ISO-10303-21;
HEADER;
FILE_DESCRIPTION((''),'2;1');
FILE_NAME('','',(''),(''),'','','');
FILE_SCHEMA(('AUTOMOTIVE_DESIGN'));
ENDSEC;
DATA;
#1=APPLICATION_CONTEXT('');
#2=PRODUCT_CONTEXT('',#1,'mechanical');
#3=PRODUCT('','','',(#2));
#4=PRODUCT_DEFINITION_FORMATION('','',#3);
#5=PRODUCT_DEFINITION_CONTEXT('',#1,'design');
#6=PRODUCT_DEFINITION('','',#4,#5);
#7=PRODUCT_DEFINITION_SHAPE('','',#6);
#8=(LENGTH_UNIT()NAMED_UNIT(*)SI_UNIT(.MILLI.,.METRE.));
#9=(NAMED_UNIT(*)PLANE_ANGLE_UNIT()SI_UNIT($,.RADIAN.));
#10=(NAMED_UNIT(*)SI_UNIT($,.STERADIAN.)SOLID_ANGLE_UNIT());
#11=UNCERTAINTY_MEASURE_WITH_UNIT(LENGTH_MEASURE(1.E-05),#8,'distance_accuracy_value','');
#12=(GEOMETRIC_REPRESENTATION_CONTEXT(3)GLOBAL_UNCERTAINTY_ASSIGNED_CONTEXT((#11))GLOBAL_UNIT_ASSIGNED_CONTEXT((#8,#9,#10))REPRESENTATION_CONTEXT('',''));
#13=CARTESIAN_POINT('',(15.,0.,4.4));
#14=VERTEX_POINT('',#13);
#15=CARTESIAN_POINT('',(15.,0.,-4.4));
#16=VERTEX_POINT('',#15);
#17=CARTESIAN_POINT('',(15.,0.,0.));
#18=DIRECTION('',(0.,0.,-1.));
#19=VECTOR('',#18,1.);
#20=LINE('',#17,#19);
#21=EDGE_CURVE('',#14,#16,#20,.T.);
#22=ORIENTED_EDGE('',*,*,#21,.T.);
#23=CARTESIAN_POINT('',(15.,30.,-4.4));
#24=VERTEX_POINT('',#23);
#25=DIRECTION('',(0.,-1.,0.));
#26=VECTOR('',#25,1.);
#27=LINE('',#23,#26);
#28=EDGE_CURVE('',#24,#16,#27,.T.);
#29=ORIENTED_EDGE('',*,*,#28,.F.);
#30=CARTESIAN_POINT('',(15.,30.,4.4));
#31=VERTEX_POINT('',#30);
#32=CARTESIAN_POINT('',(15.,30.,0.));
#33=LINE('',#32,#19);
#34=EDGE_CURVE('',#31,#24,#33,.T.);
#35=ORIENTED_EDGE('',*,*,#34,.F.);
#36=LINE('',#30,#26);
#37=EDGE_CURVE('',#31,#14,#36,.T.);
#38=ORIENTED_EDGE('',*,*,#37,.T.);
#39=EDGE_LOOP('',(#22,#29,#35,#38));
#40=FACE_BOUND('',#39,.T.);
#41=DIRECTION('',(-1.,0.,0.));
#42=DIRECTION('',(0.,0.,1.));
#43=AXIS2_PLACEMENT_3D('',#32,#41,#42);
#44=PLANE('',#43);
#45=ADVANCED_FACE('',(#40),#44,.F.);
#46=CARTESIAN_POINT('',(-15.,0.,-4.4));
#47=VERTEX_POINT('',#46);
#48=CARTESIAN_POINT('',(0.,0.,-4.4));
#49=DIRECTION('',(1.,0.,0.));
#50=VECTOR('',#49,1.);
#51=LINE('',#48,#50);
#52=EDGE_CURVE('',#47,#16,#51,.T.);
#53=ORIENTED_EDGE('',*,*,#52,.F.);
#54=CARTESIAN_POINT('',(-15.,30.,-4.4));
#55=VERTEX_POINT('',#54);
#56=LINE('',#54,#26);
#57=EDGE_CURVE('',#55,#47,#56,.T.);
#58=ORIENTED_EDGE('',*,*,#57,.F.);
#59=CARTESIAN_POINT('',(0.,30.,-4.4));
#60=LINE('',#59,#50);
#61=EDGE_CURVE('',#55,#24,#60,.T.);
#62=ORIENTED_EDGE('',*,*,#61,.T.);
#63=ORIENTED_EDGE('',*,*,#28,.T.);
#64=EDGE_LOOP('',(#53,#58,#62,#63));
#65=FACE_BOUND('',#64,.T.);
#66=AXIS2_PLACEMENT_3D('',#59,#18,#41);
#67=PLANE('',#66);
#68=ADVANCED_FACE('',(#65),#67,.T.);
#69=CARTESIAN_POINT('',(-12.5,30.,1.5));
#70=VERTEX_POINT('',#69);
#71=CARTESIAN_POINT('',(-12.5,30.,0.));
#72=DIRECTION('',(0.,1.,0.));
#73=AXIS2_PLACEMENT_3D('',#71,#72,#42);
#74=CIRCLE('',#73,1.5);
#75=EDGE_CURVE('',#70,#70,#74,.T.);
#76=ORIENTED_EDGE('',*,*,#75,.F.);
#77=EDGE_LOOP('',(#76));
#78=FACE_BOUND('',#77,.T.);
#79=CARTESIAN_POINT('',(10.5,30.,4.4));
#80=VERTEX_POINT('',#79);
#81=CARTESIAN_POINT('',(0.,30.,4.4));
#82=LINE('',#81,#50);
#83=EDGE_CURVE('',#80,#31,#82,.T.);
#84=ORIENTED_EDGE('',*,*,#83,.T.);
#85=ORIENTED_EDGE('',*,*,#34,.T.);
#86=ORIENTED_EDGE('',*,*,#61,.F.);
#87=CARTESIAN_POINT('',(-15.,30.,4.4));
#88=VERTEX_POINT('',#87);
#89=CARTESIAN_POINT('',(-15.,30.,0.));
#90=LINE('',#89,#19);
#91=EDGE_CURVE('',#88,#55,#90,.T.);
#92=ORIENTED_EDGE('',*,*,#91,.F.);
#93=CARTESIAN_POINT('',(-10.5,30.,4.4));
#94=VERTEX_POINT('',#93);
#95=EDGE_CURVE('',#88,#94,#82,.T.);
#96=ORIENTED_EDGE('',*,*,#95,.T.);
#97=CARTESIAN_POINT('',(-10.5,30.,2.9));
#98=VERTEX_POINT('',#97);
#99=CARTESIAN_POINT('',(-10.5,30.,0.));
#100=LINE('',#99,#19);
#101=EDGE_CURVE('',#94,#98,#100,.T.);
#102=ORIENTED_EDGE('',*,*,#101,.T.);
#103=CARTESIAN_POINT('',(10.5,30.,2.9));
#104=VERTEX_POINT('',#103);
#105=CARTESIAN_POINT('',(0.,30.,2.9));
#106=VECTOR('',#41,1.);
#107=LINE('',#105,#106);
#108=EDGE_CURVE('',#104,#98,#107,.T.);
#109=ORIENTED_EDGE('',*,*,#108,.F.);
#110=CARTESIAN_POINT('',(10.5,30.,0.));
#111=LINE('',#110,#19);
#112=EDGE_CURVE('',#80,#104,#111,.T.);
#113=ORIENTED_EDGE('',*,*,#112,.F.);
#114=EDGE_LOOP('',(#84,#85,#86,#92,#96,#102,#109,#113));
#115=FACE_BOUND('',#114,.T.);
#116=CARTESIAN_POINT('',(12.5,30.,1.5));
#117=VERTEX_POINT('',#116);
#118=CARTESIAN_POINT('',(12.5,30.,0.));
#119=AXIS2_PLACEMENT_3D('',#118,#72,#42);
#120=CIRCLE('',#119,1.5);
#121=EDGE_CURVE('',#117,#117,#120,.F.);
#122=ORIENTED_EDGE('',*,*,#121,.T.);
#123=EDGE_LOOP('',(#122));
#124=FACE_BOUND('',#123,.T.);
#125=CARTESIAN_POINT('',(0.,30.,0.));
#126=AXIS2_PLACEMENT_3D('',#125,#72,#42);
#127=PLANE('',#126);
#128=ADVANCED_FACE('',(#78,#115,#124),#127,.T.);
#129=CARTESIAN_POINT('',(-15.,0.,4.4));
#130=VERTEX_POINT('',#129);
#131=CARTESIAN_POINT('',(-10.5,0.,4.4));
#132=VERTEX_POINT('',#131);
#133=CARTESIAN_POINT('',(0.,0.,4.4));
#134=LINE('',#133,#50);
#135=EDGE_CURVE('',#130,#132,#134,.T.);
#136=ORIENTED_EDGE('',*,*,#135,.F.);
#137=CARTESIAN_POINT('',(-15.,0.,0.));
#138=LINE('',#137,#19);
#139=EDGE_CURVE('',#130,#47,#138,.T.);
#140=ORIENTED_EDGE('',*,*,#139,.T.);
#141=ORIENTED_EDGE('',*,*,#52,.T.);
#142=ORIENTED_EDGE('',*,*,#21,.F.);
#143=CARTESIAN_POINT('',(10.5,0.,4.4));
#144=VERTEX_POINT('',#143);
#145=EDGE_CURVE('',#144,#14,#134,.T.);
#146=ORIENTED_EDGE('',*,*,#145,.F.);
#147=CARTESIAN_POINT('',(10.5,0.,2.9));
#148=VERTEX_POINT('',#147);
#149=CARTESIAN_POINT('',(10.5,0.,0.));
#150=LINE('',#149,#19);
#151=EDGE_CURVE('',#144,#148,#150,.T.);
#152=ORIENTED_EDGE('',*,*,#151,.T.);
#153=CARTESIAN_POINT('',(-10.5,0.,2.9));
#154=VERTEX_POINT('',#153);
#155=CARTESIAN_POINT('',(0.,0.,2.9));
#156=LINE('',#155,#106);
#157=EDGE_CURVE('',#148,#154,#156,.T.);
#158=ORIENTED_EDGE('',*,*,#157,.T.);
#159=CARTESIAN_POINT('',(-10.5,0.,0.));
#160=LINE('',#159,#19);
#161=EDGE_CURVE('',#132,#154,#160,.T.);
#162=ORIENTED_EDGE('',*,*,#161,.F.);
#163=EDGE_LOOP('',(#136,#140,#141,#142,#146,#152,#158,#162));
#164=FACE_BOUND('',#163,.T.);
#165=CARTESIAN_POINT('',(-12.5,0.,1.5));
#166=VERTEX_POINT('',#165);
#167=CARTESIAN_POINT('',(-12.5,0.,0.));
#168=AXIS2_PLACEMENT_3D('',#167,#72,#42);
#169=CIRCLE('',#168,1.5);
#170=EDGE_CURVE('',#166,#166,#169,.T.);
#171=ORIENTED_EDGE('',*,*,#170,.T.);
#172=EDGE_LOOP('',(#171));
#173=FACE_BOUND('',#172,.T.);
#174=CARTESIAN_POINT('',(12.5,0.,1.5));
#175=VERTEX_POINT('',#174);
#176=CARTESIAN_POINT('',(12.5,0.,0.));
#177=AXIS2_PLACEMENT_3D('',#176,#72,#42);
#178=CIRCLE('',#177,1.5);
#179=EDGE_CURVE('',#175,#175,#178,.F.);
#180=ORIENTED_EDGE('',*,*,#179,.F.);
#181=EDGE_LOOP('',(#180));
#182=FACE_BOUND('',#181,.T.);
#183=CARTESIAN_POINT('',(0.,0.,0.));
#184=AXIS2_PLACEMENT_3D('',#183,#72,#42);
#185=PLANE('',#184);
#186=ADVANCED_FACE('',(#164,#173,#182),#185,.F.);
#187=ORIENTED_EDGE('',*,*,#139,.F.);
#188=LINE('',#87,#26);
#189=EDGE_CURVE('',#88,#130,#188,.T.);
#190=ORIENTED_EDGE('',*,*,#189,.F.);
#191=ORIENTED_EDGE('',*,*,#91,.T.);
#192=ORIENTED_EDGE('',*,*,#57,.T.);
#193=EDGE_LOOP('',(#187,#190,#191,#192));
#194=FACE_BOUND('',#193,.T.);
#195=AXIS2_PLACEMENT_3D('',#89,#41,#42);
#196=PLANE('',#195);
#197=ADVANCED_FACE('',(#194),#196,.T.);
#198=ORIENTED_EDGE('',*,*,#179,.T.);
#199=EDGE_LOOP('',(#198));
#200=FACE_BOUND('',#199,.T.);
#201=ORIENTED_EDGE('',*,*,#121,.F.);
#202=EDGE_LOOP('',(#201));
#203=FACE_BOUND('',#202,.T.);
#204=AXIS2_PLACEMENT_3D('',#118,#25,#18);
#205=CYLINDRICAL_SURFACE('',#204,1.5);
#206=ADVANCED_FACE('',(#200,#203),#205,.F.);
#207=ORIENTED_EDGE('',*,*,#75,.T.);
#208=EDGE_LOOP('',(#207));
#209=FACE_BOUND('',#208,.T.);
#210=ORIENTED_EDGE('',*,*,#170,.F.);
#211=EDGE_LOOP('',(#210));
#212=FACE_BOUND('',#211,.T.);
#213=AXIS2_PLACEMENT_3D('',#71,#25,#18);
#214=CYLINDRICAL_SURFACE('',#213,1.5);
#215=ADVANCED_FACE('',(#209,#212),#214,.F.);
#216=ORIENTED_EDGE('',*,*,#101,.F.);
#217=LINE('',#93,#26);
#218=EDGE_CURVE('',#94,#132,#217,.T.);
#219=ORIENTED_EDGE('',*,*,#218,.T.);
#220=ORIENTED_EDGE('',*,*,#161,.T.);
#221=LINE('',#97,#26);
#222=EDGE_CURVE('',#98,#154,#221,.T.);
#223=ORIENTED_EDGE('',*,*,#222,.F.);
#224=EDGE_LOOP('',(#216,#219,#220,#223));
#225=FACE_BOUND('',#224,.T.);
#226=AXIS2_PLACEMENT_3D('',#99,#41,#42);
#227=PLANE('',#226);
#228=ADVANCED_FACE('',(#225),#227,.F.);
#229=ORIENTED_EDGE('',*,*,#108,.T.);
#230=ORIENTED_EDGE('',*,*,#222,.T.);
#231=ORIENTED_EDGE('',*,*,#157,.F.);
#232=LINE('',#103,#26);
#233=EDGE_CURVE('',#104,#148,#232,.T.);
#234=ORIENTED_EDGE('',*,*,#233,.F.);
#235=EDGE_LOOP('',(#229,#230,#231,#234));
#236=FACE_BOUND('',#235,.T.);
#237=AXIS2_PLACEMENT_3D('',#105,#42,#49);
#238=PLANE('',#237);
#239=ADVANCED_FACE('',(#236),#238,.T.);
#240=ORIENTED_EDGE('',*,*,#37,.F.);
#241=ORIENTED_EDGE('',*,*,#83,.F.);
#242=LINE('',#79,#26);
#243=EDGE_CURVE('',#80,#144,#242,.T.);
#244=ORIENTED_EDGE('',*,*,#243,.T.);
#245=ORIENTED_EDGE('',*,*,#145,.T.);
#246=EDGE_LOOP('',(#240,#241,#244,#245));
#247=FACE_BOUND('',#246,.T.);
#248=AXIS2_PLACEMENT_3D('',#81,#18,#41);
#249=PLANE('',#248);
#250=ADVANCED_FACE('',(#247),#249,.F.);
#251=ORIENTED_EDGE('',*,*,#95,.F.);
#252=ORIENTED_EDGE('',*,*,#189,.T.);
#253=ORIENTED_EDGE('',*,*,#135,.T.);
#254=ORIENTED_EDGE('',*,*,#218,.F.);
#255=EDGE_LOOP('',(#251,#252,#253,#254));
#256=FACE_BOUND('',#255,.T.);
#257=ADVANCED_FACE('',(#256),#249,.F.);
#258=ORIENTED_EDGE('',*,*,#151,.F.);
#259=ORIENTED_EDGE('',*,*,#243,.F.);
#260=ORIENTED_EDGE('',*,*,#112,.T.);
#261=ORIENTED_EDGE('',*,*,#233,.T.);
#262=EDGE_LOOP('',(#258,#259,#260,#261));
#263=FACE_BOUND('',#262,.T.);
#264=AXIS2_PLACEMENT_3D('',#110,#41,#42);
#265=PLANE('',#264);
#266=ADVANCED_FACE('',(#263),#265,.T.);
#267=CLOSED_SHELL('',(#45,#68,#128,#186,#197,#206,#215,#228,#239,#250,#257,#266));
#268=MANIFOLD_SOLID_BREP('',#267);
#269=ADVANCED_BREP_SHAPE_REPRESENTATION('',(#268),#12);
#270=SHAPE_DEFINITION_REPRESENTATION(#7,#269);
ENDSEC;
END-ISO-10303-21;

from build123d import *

# Parameters (mm, degrees)
CROQUIS1_R              = 1.5
SALIENTE_EXTRUIR1_DEPTH = 30


with BuildPart() as part:
    # Croquis1 → Saliente-Extruir1 (new body)
    with BuildSketch(Plane(origin=(0, 0, 0), x_dir=(1, 0, 0), z_dir=(0, 1, 0))):
        Polygon((-15, 4.4), (-15, -4.4), (-10.5, -4.4), (-10.5, -2.9), (10.5, -2.9), (10.5, -4.4), (15, -4.4), (15, 4.4), align=None)
        with Locations(Location((-12.5, 0, 0), (0, 0, 270))):
            Circle(CROQUIS1_R, mode=Mode.SUBTRACT)
        with Locations(Location((12.5, 0, 0), (0, 0, 270))):
            Circle(CROQUIS1_R, mode=Mode.SUBTRACT)
    extrude(amount=SALIENTE_EXTRUIR1_DEPTH)


solid = part.part
